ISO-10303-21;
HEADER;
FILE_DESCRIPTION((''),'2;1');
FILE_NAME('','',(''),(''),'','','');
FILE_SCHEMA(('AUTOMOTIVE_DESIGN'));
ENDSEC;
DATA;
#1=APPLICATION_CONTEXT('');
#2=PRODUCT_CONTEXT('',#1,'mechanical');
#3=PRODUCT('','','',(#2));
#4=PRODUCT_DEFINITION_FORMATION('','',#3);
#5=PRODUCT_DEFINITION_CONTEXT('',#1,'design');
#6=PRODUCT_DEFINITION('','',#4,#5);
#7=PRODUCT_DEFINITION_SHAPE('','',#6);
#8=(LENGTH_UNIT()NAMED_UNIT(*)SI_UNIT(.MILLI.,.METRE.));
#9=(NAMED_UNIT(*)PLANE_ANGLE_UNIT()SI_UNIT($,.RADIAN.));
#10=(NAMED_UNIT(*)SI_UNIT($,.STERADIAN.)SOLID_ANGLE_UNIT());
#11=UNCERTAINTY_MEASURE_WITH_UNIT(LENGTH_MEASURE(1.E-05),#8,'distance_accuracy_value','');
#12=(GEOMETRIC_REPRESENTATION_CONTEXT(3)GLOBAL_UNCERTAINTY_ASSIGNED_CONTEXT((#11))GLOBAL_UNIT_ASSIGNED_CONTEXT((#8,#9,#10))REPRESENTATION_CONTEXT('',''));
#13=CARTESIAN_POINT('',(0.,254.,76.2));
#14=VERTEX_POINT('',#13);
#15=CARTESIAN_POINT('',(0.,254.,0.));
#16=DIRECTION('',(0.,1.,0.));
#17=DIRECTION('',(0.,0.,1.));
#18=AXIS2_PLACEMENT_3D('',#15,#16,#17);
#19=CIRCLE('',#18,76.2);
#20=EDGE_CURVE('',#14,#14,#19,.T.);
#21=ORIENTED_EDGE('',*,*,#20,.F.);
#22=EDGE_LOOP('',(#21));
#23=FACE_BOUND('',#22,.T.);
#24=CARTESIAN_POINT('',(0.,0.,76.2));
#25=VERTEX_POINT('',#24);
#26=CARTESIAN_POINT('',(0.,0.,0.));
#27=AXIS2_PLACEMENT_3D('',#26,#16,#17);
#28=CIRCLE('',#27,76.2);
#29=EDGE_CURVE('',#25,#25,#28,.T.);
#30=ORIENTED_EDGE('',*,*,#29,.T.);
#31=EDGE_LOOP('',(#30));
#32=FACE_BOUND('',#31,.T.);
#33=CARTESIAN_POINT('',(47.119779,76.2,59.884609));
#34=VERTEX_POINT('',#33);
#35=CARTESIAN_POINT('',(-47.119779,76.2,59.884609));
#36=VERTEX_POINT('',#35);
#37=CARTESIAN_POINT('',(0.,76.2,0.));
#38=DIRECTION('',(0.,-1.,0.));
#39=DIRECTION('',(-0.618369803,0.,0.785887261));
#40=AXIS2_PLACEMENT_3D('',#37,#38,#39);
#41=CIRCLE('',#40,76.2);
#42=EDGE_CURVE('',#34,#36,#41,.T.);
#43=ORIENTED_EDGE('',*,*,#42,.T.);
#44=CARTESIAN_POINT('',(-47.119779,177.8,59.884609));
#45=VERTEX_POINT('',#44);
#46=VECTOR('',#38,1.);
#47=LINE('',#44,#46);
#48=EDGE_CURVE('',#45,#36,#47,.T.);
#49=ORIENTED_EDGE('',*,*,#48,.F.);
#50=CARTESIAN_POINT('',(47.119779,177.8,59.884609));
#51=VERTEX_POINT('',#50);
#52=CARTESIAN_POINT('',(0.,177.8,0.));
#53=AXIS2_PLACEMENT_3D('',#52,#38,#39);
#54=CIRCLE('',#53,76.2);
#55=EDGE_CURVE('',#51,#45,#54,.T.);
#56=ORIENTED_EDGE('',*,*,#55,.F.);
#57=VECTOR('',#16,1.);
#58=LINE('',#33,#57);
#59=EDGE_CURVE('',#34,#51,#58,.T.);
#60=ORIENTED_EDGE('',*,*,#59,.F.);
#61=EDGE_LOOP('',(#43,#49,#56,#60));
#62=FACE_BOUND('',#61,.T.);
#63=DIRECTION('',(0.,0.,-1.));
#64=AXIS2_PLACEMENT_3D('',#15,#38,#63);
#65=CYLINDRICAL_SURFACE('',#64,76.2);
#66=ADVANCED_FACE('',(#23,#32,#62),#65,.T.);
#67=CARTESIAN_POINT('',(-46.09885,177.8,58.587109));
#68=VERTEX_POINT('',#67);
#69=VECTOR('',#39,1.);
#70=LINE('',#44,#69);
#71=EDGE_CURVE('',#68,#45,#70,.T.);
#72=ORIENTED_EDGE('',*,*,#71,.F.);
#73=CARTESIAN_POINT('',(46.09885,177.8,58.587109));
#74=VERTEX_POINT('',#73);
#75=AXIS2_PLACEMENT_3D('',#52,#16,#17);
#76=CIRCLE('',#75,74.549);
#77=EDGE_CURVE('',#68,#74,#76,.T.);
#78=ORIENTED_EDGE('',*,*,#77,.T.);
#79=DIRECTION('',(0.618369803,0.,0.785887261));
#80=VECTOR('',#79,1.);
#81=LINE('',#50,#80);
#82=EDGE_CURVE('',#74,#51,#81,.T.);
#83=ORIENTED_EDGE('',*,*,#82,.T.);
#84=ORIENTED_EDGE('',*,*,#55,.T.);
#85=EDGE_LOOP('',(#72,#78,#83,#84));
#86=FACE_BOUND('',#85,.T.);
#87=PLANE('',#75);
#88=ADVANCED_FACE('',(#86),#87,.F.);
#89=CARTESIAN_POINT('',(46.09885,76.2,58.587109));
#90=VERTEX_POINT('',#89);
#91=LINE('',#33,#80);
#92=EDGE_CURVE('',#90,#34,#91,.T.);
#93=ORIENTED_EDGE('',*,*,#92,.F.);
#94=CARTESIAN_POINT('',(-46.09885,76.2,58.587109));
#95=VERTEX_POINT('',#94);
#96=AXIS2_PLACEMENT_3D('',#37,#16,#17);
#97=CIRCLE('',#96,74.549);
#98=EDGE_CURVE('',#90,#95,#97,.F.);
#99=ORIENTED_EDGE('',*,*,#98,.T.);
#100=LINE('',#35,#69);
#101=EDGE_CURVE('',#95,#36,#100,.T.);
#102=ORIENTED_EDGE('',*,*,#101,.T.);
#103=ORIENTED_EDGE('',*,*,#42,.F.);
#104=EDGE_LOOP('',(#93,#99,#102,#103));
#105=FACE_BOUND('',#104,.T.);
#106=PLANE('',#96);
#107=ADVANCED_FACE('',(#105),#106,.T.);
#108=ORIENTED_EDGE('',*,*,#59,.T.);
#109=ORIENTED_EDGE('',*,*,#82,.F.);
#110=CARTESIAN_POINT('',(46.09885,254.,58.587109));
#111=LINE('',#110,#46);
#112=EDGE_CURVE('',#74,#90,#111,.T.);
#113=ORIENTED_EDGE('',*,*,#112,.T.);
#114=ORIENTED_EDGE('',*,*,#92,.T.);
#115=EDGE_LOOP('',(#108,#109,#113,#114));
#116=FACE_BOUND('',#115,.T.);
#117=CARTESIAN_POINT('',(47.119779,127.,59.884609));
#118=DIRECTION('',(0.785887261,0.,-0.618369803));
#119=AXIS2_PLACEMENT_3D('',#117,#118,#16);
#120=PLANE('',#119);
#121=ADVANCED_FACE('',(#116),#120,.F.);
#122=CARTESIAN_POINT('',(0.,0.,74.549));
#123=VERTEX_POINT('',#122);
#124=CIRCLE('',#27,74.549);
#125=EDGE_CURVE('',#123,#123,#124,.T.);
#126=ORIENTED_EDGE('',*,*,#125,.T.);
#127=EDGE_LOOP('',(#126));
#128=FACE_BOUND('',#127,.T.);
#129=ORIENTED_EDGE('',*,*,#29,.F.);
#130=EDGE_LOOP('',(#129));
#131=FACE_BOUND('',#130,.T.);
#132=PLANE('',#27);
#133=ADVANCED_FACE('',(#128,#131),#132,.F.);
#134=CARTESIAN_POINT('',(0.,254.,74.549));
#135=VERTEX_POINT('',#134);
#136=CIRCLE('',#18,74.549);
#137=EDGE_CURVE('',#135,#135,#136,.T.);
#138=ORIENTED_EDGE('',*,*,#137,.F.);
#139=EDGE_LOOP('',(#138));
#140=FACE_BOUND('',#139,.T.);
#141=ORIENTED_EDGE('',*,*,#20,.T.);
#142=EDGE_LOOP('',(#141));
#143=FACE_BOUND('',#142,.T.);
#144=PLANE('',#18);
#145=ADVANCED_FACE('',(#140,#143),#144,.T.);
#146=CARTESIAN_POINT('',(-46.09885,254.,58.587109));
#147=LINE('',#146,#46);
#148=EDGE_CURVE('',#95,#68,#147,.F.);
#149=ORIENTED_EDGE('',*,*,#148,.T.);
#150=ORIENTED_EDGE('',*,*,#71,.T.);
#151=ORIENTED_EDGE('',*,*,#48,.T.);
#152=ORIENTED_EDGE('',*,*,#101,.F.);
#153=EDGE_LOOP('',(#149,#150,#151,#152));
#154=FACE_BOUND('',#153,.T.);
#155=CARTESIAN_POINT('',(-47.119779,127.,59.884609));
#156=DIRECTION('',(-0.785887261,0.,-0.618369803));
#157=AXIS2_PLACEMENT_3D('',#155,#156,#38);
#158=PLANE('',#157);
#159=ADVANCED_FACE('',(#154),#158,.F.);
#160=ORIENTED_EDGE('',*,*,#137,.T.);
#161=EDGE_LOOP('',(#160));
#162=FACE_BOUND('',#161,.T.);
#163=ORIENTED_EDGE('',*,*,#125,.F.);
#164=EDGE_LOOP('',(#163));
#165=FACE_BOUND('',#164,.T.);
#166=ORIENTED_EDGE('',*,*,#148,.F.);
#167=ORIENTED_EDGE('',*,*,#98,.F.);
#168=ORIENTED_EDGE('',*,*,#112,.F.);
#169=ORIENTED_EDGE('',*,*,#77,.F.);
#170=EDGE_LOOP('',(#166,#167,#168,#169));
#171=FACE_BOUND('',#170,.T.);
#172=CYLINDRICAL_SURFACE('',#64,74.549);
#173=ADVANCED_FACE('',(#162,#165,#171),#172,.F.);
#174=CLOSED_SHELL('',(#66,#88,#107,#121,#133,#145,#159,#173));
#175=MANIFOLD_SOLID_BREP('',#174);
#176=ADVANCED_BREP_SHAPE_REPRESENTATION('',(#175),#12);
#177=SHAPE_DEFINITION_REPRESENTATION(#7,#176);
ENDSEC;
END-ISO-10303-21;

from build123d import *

# Parameters (mm, degrees)
SKETCH1_R           = 76.2
SKETCH1_R_2         = 74.549
BOSS_EXTRUDE1_DEPTH = 254
WRAP2_SECTION_W     = 3.302
WRAP2_SECTION_H     = 101.6
WRAP2_ANGLE         = 76.394372684


with BuildPart() as part:
    # Sketch1 → Boss-Extrude1 (new body)
    with BuildSketch(Plane(origin=(0, 0, 0), x_dir=(1, 0, 0), z_dir=(0, 1, 0))):
        with Locations(Location((0, 0, 0), (0, 0, 270))):
            Circle(SKETCH1_R)
        with Locations(Location((0, 0, 0), (0, 0, 270))):
            Circle(SKETCH1_R_2, mode=Mode.SUBTRACT)
    extrude(amount=BOSS_EXTRUDE1_DEPTH)

    # Wrap2 section (on wrap section) → Wrap2 (revolve, cut)
    with BuildSketch(Plane(origin=(0, 0, 0), x_dir=(0.6183698030697371, 0, 0.7858872607769479), z_dir=(0.7858872607769479, 0, -0.6183698030697371))):
        with Locations((74.549, -127)):
            Rectangle(WRAP2_SECTION_W, WRAP2_SECTION_H)
    revolve(axis=Axis((0, 0, 0), (0, -1, 0)), revolution_arc=WRAP2_ANGLE, mode=Mode.SUBTRACT)


solid = part.part
